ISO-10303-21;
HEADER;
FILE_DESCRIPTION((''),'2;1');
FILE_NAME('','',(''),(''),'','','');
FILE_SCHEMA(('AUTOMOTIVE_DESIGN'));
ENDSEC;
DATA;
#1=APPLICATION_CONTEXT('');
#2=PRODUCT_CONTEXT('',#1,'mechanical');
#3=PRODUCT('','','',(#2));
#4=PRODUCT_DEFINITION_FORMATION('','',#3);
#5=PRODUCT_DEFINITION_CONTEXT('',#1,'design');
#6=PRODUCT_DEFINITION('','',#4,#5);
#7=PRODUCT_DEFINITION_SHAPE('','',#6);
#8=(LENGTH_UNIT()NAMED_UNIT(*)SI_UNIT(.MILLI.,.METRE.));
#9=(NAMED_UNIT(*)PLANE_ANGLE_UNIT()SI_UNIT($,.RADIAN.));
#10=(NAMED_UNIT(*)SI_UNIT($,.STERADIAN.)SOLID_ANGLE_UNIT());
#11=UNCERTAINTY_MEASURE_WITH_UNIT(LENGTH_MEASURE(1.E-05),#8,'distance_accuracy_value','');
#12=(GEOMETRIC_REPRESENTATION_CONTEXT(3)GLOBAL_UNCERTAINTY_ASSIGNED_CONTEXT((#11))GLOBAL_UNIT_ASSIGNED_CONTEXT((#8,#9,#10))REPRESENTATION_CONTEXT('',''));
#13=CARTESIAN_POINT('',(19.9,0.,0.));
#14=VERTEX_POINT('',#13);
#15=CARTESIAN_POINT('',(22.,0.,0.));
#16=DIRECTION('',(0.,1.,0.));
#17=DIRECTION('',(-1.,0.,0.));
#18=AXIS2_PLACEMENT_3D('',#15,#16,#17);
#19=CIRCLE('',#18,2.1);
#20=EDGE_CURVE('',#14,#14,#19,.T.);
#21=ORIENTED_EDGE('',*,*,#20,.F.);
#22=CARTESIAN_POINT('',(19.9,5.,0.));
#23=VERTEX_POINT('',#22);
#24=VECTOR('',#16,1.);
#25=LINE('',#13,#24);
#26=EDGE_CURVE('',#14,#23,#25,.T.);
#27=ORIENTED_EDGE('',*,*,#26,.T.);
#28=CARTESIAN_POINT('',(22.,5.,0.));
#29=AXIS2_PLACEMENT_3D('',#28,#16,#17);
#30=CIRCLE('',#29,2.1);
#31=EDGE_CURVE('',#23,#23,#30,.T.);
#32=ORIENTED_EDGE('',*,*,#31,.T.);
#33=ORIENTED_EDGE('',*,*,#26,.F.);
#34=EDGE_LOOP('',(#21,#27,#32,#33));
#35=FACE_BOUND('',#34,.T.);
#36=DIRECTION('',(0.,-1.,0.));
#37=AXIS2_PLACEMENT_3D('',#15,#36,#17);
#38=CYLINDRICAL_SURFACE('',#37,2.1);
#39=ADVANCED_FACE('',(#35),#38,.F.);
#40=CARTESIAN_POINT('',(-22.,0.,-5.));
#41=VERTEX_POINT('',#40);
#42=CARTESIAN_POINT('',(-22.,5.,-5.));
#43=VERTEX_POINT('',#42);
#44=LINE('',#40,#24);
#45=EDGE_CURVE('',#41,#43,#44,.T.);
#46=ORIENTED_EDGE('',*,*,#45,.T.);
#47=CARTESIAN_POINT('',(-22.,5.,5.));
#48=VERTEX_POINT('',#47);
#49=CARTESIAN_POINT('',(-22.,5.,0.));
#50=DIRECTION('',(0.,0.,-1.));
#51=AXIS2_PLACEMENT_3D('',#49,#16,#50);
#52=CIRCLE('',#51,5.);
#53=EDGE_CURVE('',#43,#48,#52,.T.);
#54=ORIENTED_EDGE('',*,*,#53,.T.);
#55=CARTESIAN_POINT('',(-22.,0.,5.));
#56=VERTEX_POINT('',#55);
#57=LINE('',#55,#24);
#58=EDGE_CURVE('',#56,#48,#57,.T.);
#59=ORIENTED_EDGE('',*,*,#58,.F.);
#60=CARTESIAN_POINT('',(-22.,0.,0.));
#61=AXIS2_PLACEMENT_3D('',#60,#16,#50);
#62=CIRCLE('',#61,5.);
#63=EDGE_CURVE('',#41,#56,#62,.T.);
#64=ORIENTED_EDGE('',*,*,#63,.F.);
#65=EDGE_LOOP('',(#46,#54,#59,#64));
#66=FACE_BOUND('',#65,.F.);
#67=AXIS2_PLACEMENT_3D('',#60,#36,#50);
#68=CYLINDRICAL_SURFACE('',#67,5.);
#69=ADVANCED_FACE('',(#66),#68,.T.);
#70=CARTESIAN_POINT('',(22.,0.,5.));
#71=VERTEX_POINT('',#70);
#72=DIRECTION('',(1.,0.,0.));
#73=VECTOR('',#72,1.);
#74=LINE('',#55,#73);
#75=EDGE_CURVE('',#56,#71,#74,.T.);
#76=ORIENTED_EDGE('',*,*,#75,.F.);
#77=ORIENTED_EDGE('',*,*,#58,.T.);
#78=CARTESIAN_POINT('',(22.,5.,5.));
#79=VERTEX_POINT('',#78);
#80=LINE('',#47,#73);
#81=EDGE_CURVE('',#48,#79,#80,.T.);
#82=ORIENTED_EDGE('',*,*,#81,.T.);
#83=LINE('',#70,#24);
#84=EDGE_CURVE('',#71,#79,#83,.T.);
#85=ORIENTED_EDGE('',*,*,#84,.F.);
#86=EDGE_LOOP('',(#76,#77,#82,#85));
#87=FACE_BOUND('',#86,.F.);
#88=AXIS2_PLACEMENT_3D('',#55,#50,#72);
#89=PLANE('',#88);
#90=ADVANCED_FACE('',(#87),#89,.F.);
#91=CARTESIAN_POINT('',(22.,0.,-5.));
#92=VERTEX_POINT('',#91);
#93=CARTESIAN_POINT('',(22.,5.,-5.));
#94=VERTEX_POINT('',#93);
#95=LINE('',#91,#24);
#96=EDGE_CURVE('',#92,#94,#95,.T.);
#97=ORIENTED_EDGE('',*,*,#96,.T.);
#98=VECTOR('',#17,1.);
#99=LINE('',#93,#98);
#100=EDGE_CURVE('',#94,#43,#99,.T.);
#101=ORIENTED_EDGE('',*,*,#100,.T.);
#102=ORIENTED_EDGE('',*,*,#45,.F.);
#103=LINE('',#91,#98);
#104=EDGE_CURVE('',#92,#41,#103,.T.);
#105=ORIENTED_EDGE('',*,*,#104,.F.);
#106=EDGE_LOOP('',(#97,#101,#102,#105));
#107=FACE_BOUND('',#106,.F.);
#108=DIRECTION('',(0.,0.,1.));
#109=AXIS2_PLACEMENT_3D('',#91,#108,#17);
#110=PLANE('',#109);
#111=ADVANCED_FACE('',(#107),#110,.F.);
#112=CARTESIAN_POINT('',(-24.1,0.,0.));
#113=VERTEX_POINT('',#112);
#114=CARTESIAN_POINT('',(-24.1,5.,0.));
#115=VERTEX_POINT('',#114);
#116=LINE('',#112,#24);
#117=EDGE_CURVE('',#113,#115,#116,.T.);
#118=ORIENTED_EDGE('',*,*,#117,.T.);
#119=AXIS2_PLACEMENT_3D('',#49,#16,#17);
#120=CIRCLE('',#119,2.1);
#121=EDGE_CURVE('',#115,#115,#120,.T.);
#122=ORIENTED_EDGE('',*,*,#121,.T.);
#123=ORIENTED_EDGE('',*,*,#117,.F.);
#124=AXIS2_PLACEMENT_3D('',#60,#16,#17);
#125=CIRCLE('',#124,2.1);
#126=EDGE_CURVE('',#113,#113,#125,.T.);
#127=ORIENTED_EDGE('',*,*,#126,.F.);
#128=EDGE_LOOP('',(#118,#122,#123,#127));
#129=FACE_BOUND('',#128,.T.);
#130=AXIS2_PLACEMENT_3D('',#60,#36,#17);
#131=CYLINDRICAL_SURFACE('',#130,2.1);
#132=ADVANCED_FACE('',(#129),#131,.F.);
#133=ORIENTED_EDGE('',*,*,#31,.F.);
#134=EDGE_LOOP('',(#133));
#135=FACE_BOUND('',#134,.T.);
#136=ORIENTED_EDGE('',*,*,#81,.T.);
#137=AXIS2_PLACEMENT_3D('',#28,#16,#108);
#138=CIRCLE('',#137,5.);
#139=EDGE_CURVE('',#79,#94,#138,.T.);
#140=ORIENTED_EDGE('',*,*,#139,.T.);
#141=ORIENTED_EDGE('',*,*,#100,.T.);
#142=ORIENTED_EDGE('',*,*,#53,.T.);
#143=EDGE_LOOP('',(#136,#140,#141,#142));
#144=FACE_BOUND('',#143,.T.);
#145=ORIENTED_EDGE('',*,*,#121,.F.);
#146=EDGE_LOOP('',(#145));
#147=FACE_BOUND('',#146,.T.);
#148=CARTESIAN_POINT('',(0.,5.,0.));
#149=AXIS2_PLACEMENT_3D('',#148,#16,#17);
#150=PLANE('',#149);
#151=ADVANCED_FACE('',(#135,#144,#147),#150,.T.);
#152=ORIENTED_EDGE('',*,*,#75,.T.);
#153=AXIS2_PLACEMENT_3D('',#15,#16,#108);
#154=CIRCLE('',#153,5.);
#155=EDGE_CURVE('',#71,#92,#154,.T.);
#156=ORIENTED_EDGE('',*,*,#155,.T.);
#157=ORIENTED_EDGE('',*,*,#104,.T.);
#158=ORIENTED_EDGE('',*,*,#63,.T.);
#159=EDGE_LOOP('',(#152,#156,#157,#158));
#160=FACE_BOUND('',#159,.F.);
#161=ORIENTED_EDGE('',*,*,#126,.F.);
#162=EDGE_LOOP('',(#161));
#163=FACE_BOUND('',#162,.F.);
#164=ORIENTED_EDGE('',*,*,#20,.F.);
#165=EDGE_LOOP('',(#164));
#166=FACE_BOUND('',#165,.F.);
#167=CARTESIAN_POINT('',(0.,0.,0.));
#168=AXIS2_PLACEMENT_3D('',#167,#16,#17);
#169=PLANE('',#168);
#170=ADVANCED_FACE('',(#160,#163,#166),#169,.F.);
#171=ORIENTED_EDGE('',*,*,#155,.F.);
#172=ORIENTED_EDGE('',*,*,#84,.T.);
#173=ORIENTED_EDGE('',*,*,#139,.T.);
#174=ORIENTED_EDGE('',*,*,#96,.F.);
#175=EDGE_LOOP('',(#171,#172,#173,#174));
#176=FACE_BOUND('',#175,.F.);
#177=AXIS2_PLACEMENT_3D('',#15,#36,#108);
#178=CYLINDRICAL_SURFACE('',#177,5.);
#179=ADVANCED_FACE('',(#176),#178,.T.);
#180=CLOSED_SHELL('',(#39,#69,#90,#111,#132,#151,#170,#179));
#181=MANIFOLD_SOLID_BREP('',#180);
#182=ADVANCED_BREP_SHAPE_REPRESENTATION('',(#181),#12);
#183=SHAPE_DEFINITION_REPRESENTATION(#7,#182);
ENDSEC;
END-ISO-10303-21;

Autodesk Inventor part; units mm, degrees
ref_plane "YZ Plane" through (0, 0, 0) normal (1, 0, 0) x (0, 1, 0)
ref_plane "XZ Plane" through (0, 0, 0) normal (0, 1, 0) x (-1, 0, 0)
ref_plane "XY Plane" through (0, 0, 0) normal (0, 0, 1) x (1, 0, 0)
sketch "Sketch1" plane through (0, 0, 0) normal (0, 1, 0) x (-1, 0, 0)
  line L0 (22, 0) -> (-22, 0) construction
  line L1 (22, 5) -> (-22, 5)
  line L2 (-22, -5) -> (22, -5)
  arc A0 (22, -5) -> (22, 5) centre (22, 0) ccw
  arc A1 (-22, 5) -> (-22, -5) centre (-22, 0) ccw
  circle A2 centre (22, 0) radius 2.1
  circle A3 centre (-22, 0) radius 2.1
  point P0 (0, 0)
  point P1 (0, 0)
  dimension "d0" = 10
  dimension "d1" = 4.2
  dimension "d2" = 4.2
  dimension "d3" = 44
extrude "Extrusion1" add sketch "Sketch1" along normal blind 5
properties part number "upper-tipper-link"
